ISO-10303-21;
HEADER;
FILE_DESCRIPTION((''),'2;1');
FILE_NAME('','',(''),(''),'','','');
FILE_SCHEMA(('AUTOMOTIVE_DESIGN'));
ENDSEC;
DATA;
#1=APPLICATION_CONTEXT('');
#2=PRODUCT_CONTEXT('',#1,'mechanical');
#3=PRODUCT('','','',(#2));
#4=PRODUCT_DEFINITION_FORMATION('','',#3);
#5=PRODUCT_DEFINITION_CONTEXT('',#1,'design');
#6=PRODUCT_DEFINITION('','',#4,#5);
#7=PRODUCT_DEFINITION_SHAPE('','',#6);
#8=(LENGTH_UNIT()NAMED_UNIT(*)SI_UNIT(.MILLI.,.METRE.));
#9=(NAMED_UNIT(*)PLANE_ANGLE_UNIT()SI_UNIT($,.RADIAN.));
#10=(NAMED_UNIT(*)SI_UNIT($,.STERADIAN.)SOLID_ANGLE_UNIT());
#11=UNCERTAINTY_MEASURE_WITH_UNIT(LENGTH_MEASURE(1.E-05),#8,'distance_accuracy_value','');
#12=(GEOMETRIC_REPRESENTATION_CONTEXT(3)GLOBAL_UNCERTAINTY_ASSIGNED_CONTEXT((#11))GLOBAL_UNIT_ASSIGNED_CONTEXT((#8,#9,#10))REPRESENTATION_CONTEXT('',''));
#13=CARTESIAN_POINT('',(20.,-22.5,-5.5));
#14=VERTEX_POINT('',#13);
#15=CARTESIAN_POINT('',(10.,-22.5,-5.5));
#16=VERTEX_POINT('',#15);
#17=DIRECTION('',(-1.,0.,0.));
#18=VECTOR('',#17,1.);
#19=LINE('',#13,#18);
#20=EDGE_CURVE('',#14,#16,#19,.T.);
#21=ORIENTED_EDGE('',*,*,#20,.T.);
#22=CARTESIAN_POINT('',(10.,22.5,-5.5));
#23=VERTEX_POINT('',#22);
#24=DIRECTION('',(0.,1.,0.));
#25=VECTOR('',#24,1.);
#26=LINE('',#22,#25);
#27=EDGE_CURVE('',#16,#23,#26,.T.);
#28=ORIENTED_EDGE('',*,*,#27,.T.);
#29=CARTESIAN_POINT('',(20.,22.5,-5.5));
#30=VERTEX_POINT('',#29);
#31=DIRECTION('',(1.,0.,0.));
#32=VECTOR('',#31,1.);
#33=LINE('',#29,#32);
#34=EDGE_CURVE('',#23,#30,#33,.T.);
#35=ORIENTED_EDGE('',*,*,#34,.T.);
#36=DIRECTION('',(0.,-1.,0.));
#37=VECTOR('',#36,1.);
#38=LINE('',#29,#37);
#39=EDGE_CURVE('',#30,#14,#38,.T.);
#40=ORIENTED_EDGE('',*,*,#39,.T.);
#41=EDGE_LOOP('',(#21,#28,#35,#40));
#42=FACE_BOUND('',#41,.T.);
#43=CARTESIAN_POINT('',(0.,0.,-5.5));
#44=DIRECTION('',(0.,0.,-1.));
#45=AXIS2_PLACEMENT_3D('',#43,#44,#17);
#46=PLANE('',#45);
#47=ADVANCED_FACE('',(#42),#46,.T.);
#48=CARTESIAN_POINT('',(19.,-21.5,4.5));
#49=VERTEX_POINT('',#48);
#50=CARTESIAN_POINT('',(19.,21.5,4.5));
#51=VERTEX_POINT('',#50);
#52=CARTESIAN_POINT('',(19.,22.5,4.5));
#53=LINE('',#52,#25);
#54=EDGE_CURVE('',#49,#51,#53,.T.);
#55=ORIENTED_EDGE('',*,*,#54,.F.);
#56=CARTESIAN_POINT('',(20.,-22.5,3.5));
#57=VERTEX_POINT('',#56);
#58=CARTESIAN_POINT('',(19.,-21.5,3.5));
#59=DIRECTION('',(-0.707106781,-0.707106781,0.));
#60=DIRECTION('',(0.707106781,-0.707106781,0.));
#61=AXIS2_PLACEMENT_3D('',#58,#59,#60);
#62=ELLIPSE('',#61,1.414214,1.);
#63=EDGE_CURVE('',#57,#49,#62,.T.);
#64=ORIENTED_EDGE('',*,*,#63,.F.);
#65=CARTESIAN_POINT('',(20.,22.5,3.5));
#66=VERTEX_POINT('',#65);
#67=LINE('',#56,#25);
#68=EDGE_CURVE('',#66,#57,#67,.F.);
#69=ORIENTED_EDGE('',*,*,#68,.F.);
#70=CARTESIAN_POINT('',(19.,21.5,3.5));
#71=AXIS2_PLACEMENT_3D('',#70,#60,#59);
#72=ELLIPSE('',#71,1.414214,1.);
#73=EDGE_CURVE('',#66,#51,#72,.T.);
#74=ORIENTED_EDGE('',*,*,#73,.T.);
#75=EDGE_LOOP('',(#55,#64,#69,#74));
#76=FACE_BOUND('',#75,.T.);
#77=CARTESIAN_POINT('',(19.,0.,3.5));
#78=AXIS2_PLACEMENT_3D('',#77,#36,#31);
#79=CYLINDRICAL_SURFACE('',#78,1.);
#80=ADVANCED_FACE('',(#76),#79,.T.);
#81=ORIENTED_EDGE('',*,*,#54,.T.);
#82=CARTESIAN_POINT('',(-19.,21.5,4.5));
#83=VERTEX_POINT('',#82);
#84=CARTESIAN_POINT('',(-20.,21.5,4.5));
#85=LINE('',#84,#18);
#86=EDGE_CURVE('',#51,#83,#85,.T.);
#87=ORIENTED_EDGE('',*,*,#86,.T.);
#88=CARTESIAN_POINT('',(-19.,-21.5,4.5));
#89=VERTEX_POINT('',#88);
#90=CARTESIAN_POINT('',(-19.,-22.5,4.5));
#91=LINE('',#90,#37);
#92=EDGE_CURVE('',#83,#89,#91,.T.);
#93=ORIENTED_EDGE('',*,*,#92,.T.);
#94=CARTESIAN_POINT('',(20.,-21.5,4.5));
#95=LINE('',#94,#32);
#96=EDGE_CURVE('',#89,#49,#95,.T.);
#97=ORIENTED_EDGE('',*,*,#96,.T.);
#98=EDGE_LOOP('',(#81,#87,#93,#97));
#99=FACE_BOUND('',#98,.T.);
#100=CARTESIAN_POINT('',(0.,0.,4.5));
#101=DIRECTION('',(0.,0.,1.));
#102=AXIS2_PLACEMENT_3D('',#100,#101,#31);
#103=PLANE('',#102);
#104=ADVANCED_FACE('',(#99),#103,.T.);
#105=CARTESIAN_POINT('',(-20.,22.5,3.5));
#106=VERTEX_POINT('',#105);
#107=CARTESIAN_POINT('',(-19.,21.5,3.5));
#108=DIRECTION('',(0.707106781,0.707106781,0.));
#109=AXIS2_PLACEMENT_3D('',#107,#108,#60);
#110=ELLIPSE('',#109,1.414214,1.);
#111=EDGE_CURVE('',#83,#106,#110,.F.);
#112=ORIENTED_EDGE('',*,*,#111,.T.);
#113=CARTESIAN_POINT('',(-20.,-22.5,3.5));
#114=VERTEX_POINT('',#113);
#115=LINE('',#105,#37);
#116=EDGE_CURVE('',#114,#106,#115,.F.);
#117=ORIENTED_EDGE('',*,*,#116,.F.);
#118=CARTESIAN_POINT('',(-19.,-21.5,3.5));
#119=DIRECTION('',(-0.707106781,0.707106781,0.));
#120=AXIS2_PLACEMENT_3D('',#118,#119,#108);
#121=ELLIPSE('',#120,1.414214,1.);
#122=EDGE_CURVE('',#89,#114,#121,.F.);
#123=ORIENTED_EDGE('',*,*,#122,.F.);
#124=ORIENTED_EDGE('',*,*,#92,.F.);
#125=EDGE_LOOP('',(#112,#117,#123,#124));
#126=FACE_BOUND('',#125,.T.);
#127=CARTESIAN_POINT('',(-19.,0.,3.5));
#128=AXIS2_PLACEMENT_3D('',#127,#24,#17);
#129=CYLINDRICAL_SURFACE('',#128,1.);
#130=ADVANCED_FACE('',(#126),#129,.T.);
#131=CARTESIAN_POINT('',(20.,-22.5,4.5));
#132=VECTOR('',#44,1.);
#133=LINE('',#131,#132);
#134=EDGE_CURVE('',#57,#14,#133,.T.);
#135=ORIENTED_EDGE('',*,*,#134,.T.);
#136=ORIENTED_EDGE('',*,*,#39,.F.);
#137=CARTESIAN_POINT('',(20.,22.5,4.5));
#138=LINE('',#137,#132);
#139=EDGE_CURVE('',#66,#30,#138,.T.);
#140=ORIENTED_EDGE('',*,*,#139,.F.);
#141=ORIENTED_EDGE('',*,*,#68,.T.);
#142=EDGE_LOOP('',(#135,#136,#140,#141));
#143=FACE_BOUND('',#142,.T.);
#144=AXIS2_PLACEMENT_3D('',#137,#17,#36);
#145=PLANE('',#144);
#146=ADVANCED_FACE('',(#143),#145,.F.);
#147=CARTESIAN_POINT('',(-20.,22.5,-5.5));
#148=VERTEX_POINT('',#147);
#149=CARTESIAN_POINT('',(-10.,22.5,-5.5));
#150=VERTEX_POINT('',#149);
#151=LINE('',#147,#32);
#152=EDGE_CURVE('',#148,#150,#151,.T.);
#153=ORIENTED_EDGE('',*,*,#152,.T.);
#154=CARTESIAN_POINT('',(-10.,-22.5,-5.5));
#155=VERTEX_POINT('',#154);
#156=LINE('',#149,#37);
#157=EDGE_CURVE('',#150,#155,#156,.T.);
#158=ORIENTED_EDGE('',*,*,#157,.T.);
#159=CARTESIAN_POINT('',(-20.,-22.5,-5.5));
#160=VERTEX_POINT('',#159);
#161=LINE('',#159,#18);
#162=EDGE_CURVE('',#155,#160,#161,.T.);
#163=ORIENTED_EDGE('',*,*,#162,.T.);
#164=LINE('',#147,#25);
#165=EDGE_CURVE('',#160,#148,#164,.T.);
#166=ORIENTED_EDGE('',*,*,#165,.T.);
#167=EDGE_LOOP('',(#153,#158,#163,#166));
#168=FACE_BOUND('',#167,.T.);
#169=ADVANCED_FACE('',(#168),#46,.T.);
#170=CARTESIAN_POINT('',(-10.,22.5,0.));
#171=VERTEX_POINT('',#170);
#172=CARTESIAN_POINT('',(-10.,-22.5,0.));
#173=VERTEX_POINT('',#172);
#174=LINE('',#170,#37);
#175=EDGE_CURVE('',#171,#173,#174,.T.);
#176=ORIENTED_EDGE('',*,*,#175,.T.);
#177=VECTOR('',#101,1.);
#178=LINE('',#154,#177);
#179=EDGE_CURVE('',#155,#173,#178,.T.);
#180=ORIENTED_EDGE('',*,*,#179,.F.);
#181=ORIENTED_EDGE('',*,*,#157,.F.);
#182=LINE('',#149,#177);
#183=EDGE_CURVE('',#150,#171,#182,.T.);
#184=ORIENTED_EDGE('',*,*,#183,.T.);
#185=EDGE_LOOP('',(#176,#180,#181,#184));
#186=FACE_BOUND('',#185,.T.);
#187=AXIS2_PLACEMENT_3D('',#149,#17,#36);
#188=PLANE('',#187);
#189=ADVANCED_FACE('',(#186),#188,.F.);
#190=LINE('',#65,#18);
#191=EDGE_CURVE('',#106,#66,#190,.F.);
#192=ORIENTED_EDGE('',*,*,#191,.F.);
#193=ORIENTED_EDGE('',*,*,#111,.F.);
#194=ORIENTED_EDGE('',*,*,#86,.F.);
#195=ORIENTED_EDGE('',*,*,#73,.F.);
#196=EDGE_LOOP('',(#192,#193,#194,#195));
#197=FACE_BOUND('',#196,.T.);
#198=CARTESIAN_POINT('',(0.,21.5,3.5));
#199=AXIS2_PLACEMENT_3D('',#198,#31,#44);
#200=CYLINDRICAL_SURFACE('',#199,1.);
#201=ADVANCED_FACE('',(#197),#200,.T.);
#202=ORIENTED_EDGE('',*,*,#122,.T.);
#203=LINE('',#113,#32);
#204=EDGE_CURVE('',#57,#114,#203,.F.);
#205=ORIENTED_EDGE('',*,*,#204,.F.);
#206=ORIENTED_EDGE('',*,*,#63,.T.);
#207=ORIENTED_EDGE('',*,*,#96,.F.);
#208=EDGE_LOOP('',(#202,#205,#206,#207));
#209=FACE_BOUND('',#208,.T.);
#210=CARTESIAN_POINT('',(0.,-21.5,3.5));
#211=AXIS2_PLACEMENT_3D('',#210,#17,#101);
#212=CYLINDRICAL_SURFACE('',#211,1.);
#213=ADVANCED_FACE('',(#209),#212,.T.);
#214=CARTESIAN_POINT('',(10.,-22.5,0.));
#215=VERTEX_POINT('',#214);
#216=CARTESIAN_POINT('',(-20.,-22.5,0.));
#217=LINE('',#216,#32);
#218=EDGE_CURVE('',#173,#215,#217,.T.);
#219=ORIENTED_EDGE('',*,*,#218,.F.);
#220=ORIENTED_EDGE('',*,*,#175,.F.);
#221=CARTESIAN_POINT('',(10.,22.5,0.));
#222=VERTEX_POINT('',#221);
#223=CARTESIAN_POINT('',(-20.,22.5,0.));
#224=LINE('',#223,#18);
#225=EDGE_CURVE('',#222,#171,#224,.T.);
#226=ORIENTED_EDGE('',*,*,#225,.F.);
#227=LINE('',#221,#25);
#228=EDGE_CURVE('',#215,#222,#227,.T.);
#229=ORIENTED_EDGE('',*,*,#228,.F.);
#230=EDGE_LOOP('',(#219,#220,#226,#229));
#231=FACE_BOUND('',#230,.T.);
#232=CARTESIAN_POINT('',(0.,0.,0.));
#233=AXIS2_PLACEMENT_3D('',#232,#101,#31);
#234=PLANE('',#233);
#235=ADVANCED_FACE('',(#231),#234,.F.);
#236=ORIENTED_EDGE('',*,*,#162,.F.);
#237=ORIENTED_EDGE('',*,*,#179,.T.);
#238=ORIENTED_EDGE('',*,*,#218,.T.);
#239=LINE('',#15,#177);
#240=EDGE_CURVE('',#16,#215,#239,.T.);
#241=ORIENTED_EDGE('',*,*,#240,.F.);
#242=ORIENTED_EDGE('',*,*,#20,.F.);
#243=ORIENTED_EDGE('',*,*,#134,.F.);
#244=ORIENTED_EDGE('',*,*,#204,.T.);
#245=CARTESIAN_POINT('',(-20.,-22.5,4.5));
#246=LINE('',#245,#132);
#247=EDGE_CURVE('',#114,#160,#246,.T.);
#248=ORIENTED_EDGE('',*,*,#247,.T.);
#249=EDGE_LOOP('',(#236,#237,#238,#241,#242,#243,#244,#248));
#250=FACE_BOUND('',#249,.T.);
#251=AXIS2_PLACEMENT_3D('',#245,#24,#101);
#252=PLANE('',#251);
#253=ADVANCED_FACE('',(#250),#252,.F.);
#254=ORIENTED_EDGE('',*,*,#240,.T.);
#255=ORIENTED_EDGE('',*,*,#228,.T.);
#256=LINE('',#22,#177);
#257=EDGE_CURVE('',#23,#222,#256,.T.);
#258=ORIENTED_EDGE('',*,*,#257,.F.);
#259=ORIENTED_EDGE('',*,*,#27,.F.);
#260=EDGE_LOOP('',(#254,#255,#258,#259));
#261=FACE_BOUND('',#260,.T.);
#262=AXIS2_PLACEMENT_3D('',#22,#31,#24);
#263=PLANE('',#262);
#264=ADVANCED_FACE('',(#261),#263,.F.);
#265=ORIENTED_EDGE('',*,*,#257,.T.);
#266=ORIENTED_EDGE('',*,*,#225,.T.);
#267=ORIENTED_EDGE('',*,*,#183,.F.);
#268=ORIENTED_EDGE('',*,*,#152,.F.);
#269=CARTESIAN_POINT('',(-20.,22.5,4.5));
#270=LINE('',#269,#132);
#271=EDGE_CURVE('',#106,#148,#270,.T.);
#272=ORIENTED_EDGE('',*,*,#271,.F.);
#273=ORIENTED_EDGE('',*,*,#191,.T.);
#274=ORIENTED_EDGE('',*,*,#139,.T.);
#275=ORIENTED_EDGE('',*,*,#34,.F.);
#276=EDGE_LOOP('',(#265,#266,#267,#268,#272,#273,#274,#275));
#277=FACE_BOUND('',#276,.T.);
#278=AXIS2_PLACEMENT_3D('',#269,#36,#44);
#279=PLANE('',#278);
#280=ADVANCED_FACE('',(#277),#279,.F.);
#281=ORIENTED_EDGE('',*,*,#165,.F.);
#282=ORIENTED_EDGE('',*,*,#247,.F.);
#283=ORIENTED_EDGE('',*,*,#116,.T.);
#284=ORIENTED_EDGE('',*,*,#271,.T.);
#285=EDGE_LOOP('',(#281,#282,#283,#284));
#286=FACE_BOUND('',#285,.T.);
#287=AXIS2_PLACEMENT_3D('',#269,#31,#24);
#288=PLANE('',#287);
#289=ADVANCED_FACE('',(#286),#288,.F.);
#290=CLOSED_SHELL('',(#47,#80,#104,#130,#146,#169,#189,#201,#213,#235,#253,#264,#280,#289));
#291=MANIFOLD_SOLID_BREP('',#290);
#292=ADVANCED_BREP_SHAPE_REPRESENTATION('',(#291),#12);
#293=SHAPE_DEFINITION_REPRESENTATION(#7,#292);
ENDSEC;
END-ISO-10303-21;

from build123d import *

# Parameters (mm, degrees)
CROQUIS1_W              = 40
CROQUIS1_H              = 45
SALIENTE_EXTRUIR1_DEPTH = 4.5
CROQUIS2_W              = 10
CROQUIS2_H              = 45
SALIENTE_EXTRUIR2_DEPTH = 5.5
REDONDEO1_R             = 1


with BuildPart() as part:
    # Croquis1 → Saliente-Extruir1 (new body)
    with BuildSketch(Plane.XY):
        Rectangle(CROQUIS1_W, CROQUIS1_H)
    extrude(amount=SALIENTE_EXTRUIR1_DEPTH)

    # Croquis2 → Saliente-Extruir2 (add)
    with BuildSketch(Plane(origin=(0, 0, 0), x_dir=(-1, 0, 0), z_dir=(0, 0, -1))):
        with Locations((-15, 0)):
            Rectangle(CROQUIS2_W, CROQUIS2_H)
        with Locations((15, 0)):
            Rectangle(CROQUIS2_W, CROQUIS2_H)
    extrude(amount=SALIENTE_EXTRUIR2_DEPTH)

    # Redondeo1
    redondeo1_edges = [part.edges().sort_by_distance(p)[0] for p in [
        (-20, 0, 4.5),
        (0, -22.5, 4.5),
        (20, 0, 4.5),
        (0, 22.5, 4.5),
    ]]
    fillet(redondeo1_edges, radius=REDONDEO1_R)


solid = part.part
